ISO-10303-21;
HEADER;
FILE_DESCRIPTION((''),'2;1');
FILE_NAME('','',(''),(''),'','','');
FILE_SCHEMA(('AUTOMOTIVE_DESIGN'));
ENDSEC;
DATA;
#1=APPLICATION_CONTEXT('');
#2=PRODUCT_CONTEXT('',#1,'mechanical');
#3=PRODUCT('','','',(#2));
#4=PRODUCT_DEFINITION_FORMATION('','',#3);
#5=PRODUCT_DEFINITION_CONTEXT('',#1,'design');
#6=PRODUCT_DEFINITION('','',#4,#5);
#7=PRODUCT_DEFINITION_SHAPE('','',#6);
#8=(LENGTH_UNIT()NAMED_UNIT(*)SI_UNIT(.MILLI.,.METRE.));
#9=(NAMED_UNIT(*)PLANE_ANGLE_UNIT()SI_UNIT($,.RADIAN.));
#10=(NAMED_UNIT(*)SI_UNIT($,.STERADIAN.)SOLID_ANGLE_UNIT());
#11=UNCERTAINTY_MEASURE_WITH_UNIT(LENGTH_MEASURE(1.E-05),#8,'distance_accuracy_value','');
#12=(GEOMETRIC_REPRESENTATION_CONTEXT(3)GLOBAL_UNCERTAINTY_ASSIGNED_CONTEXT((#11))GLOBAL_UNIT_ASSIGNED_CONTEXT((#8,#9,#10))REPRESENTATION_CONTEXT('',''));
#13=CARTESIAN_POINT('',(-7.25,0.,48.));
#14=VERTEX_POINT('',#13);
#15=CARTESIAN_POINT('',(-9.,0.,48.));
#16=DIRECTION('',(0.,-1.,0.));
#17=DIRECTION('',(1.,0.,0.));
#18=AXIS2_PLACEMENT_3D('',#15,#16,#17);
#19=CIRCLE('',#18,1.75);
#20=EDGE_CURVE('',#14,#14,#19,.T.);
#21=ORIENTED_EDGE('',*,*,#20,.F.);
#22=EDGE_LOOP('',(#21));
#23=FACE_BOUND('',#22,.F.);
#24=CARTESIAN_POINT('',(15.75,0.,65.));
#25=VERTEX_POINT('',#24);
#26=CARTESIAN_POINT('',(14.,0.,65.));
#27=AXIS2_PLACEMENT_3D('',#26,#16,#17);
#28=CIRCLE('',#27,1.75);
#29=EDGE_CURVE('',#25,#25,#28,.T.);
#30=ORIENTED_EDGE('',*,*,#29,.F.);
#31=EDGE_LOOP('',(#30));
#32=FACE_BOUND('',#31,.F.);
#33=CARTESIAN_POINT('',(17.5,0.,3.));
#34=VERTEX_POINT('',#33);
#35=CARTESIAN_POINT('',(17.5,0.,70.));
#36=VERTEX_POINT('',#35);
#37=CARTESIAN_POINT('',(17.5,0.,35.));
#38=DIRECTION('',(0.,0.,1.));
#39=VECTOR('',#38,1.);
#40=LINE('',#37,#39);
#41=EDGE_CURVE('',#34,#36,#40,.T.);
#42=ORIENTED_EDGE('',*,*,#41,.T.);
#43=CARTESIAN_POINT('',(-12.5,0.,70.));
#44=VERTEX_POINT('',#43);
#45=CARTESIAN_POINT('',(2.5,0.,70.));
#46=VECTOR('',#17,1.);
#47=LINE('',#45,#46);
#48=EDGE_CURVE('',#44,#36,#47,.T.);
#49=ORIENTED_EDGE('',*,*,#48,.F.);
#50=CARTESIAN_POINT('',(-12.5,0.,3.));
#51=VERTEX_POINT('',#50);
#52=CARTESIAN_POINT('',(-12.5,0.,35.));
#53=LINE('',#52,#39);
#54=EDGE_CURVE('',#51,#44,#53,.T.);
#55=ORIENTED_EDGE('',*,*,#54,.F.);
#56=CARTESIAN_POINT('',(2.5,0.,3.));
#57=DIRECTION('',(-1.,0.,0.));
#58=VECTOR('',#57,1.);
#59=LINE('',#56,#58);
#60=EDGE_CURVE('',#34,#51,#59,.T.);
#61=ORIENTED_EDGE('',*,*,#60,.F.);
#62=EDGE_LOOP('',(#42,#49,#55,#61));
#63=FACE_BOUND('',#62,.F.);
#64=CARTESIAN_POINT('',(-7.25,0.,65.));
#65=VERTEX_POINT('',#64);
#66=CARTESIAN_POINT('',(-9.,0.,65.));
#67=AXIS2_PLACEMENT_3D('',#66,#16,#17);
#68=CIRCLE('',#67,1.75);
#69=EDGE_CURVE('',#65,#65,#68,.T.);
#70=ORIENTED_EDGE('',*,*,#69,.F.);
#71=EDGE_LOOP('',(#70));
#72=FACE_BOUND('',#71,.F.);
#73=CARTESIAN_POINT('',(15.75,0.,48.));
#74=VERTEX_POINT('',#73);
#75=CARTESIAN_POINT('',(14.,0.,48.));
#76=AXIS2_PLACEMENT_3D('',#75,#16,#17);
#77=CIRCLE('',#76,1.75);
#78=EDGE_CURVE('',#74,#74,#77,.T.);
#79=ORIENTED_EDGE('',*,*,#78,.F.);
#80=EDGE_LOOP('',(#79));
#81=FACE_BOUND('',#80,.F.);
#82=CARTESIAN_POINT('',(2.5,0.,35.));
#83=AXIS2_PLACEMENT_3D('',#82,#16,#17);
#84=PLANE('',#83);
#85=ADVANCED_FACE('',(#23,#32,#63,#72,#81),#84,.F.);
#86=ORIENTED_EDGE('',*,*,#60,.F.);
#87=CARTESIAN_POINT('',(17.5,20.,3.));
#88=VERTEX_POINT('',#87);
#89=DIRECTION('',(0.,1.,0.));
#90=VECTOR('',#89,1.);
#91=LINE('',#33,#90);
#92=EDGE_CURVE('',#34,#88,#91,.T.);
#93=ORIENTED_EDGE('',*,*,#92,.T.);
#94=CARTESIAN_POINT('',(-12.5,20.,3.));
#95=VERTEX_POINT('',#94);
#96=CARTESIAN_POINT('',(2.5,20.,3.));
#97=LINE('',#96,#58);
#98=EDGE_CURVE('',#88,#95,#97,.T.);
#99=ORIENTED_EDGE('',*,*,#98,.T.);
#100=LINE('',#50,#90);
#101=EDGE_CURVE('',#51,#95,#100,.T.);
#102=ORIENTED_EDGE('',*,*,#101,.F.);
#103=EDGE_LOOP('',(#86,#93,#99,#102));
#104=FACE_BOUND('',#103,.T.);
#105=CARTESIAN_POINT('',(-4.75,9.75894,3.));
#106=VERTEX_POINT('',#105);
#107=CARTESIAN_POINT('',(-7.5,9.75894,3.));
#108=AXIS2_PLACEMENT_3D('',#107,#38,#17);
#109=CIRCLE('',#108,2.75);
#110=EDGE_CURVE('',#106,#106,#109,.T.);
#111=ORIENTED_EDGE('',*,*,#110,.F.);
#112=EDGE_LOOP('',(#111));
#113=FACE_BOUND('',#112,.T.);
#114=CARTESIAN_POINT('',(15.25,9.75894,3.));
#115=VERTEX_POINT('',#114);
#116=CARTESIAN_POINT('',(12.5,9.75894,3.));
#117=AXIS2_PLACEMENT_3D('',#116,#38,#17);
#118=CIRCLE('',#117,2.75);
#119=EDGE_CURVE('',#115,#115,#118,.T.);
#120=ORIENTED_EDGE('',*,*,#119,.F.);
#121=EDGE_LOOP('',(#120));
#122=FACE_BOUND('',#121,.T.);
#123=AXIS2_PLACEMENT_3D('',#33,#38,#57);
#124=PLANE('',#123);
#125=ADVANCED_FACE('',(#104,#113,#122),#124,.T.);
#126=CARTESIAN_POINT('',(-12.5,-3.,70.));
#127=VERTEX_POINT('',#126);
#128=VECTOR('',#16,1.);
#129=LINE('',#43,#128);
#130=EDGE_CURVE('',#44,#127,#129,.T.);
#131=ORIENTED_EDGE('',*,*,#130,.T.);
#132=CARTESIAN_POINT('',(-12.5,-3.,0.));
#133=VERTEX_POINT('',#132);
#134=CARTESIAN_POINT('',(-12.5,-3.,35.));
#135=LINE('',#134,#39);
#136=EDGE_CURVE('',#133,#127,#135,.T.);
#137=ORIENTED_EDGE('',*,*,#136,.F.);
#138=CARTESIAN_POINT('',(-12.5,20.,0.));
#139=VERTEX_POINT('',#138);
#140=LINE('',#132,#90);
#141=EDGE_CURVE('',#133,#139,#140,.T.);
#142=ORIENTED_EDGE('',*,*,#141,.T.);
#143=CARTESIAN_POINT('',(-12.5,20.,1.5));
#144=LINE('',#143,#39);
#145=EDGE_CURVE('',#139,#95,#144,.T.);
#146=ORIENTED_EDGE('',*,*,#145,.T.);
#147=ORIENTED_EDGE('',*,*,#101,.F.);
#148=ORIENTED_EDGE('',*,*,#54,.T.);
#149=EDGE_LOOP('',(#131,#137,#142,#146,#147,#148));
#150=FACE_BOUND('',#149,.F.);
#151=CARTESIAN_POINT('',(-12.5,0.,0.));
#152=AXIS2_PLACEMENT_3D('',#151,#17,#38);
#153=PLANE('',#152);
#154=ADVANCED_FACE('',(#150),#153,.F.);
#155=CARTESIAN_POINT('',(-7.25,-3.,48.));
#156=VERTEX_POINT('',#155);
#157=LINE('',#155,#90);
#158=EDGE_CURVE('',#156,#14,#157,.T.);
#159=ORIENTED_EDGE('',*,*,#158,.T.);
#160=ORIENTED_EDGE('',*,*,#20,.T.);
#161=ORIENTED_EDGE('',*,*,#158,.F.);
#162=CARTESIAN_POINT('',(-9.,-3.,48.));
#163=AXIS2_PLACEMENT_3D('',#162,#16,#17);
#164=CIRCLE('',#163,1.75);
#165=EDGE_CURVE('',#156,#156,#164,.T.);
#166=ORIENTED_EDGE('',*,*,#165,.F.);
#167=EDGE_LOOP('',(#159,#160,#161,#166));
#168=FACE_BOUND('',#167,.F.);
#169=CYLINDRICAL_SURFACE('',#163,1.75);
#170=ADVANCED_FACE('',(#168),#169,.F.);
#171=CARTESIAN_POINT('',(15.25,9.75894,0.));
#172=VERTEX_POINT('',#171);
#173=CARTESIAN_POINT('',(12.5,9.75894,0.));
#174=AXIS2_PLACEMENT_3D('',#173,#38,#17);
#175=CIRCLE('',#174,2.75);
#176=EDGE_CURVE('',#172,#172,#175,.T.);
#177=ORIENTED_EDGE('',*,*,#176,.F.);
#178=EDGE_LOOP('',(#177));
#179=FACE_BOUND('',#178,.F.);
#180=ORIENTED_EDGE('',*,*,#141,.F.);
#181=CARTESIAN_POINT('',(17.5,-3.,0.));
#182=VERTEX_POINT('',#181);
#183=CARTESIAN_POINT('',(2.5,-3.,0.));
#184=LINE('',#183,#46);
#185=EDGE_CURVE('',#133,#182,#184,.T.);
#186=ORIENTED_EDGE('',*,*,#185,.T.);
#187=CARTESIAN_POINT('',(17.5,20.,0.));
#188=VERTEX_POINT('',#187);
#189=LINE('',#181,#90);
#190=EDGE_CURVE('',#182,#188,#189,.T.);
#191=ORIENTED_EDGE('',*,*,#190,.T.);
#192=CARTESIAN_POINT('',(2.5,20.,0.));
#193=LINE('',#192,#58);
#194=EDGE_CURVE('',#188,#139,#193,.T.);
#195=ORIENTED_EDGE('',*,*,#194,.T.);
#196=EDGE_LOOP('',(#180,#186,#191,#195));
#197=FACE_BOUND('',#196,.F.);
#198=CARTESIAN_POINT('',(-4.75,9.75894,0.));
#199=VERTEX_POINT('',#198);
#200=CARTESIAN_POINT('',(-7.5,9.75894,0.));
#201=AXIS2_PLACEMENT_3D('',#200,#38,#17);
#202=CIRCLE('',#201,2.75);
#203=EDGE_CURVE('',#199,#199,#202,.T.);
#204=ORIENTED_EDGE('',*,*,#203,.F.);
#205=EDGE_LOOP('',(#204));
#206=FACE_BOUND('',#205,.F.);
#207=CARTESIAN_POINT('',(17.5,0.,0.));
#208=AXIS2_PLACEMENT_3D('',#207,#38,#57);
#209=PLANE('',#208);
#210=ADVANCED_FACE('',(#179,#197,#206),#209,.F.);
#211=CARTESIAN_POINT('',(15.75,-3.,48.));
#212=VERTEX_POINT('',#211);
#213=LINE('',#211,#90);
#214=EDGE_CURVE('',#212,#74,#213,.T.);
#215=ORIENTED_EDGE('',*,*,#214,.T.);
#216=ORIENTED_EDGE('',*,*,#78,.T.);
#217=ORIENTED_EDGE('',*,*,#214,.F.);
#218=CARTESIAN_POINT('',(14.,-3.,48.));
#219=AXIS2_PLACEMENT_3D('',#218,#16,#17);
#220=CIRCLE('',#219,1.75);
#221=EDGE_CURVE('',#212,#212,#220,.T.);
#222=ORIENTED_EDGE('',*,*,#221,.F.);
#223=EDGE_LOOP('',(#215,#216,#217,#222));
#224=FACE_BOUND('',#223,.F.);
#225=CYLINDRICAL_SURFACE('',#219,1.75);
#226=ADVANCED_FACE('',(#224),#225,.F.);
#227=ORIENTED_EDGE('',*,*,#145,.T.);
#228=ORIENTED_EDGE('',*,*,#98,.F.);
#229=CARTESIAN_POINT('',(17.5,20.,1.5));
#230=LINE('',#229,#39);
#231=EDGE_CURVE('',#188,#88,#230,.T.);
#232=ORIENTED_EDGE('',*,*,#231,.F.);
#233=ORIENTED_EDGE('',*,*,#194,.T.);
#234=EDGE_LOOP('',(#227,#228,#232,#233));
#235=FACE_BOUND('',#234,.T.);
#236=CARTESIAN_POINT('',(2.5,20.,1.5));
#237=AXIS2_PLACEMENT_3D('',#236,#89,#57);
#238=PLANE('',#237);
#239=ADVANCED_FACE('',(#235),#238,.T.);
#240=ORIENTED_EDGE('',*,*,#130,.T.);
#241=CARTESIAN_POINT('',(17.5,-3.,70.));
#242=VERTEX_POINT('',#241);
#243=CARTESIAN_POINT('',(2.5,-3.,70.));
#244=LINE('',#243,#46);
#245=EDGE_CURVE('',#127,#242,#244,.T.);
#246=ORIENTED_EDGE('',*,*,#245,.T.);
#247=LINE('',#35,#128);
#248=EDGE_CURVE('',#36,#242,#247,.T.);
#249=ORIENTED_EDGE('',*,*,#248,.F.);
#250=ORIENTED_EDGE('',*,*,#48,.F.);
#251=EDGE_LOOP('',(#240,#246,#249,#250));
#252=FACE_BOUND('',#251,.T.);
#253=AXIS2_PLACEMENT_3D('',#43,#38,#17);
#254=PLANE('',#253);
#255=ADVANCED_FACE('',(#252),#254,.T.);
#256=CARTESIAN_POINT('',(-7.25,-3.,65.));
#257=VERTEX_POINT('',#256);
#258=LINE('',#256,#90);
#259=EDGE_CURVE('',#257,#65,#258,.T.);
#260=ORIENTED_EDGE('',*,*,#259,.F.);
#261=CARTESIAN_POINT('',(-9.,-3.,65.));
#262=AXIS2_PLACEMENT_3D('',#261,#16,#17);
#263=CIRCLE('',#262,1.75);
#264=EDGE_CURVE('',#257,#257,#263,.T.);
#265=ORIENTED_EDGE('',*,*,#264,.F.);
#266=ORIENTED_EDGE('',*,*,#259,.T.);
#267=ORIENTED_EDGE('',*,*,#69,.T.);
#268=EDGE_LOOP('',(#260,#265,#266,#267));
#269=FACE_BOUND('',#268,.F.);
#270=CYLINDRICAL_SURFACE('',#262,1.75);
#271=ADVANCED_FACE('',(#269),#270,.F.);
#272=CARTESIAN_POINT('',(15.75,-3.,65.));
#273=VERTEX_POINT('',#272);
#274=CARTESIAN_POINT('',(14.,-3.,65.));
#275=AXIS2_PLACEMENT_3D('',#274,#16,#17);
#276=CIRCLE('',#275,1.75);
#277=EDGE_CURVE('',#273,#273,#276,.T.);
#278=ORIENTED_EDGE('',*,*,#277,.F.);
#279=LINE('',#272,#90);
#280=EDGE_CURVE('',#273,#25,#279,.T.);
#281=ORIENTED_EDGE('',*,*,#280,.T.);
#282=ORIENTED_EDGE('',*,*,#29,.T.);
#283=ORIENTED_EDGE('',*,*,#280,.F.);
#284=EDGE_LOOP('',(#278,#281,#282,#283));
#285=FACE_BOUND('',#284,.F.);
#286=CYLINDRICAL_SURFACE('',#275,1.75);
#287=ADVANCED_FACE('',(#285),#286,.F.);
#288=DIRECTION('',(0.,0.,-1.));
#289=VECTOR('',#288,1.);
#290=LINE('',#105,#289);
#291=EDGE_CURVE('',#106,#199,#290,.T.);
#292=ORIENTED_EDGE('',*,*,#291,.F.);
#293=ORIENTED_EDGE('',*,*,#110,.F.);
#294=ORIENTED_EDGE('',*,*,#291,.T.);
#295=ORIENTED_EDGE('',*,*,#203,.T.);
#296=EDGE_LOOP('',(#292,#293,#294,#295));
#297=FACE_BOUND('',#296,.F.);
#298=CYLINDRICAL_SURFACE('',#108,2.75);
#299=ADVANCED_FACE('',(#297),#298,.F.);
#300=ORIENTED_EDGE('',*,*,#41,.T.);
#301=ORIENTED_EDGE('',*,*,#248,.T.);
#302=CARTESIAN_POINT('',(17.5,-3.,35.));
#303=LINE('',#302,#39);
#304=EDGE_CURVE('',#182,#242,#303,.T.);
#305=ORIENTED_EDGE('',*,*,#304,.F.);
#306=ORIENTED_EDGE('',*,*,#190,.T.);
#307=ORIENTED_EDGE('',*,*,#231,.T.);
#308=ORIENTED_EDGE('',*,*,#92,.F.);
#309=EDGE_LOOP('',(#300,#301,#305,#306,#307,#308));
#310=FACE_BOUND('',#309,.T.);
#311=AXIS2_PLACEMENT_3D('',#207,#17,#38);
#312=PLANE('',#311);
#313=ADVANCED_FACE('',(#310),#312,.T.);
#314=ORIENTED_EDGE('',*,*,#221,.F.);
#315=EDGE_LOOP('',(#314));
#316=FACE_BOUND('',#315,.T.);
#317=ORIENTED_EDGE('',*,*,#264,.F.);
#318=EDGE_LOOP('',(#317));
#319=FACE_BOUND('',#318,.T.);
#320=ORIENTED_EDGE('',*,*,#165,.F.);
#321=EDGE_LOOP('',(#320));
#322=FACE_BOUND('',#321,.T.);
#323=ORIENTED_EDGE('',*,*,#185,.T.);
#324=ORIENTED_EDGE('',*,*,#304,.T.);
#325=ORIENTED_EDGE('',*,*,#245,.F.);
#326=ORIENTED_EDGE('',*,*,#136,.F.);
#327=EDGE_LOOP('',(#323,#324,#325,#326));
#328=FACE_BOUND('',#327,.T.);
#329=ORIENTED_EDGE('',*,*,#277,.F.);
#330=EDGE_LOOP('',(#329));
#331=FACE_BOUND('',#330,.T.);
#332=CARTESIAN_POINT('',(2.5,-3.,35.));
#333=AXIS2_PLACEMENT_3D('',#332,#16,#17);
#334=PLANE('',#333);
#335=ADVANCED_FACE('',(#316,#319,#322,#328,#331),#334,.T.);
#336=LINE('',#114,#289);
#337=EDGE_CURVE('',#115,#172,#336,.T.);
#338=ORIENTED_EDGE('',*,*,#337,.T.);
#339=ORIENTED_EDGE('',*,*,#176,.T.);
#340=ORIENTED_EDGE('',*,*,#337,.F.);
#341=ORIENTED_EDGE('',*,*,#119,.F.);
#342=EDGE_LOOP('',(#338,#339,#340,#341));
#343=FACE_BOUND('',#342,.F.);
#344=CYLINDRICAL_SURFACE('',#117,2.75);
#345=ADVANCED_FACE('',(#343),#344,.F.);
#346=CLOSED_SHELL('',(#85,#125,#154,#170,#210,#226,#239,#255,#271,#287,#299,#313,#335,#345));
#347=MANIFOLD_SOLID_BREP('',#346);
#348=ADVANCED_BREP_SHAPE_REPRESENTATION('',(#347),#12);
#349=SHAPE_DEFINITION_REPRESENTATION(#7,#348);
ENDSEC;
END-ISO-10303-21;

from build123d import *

# Parameters (mm, degrees)
F0_W     = 30
F0_H     = 70
F1_DEPTH = 3
F2_W     = 30
F2_H     = 3
F3_DEPTH = 20
F4_R     = 2.75
F5_DEPTH = 3.001
F6_R     = 1.75
F7_DEPTH = 23.001


with BuildPart() as f1:
    # F0 (on Front) → F1 (new body)
    with BuildSketch(Plane.XZ):
        with Locations((2.5, 35)):
            Rectangle(F0_W, F0_H)
    extrude(amount=F1_DEPTH)

    # F2 (on face) → F3 (join)
    with BuildSketch(Plane(origin=(0, 0, 0), x_dir=(-1, 0, 0), z_dir=(0, 1, 0))):
        with Locations((-2.5, 1.5)):
            Rectangle(F2_W, F2_H)
    extrude(amount=F3_DEPTH)

    # F4 (on face) → F5 (cut, through all)
    with BuildSketch(Plane.XY.offset(3)):
        with Locations((12.5, 9.75894)):
            Circle(F4_R)
        with Locations((-7.5, 9.75894)):
            Circle(F4_R)
    extrude(amount=-F5_DEPTH, mode=Mode.SUBTRACT)

    # F6 (on face) → F7 (cut, through all)
    with BuildSketch(Plane.XZ.offset(3)):
        with Locations((-9, 65)):
            Circle(F6_R)
        with Locations((-9, 48)):
            Circle(F6_R)
        with Locations((14, 65)):
            Circle(F6_R)
        with Locations((14, 48)):
            Circle(F6_R)
    extrude(amount=-F7_DEPTH, mode=Mode.SUBTRACT)


solid = f1.part
